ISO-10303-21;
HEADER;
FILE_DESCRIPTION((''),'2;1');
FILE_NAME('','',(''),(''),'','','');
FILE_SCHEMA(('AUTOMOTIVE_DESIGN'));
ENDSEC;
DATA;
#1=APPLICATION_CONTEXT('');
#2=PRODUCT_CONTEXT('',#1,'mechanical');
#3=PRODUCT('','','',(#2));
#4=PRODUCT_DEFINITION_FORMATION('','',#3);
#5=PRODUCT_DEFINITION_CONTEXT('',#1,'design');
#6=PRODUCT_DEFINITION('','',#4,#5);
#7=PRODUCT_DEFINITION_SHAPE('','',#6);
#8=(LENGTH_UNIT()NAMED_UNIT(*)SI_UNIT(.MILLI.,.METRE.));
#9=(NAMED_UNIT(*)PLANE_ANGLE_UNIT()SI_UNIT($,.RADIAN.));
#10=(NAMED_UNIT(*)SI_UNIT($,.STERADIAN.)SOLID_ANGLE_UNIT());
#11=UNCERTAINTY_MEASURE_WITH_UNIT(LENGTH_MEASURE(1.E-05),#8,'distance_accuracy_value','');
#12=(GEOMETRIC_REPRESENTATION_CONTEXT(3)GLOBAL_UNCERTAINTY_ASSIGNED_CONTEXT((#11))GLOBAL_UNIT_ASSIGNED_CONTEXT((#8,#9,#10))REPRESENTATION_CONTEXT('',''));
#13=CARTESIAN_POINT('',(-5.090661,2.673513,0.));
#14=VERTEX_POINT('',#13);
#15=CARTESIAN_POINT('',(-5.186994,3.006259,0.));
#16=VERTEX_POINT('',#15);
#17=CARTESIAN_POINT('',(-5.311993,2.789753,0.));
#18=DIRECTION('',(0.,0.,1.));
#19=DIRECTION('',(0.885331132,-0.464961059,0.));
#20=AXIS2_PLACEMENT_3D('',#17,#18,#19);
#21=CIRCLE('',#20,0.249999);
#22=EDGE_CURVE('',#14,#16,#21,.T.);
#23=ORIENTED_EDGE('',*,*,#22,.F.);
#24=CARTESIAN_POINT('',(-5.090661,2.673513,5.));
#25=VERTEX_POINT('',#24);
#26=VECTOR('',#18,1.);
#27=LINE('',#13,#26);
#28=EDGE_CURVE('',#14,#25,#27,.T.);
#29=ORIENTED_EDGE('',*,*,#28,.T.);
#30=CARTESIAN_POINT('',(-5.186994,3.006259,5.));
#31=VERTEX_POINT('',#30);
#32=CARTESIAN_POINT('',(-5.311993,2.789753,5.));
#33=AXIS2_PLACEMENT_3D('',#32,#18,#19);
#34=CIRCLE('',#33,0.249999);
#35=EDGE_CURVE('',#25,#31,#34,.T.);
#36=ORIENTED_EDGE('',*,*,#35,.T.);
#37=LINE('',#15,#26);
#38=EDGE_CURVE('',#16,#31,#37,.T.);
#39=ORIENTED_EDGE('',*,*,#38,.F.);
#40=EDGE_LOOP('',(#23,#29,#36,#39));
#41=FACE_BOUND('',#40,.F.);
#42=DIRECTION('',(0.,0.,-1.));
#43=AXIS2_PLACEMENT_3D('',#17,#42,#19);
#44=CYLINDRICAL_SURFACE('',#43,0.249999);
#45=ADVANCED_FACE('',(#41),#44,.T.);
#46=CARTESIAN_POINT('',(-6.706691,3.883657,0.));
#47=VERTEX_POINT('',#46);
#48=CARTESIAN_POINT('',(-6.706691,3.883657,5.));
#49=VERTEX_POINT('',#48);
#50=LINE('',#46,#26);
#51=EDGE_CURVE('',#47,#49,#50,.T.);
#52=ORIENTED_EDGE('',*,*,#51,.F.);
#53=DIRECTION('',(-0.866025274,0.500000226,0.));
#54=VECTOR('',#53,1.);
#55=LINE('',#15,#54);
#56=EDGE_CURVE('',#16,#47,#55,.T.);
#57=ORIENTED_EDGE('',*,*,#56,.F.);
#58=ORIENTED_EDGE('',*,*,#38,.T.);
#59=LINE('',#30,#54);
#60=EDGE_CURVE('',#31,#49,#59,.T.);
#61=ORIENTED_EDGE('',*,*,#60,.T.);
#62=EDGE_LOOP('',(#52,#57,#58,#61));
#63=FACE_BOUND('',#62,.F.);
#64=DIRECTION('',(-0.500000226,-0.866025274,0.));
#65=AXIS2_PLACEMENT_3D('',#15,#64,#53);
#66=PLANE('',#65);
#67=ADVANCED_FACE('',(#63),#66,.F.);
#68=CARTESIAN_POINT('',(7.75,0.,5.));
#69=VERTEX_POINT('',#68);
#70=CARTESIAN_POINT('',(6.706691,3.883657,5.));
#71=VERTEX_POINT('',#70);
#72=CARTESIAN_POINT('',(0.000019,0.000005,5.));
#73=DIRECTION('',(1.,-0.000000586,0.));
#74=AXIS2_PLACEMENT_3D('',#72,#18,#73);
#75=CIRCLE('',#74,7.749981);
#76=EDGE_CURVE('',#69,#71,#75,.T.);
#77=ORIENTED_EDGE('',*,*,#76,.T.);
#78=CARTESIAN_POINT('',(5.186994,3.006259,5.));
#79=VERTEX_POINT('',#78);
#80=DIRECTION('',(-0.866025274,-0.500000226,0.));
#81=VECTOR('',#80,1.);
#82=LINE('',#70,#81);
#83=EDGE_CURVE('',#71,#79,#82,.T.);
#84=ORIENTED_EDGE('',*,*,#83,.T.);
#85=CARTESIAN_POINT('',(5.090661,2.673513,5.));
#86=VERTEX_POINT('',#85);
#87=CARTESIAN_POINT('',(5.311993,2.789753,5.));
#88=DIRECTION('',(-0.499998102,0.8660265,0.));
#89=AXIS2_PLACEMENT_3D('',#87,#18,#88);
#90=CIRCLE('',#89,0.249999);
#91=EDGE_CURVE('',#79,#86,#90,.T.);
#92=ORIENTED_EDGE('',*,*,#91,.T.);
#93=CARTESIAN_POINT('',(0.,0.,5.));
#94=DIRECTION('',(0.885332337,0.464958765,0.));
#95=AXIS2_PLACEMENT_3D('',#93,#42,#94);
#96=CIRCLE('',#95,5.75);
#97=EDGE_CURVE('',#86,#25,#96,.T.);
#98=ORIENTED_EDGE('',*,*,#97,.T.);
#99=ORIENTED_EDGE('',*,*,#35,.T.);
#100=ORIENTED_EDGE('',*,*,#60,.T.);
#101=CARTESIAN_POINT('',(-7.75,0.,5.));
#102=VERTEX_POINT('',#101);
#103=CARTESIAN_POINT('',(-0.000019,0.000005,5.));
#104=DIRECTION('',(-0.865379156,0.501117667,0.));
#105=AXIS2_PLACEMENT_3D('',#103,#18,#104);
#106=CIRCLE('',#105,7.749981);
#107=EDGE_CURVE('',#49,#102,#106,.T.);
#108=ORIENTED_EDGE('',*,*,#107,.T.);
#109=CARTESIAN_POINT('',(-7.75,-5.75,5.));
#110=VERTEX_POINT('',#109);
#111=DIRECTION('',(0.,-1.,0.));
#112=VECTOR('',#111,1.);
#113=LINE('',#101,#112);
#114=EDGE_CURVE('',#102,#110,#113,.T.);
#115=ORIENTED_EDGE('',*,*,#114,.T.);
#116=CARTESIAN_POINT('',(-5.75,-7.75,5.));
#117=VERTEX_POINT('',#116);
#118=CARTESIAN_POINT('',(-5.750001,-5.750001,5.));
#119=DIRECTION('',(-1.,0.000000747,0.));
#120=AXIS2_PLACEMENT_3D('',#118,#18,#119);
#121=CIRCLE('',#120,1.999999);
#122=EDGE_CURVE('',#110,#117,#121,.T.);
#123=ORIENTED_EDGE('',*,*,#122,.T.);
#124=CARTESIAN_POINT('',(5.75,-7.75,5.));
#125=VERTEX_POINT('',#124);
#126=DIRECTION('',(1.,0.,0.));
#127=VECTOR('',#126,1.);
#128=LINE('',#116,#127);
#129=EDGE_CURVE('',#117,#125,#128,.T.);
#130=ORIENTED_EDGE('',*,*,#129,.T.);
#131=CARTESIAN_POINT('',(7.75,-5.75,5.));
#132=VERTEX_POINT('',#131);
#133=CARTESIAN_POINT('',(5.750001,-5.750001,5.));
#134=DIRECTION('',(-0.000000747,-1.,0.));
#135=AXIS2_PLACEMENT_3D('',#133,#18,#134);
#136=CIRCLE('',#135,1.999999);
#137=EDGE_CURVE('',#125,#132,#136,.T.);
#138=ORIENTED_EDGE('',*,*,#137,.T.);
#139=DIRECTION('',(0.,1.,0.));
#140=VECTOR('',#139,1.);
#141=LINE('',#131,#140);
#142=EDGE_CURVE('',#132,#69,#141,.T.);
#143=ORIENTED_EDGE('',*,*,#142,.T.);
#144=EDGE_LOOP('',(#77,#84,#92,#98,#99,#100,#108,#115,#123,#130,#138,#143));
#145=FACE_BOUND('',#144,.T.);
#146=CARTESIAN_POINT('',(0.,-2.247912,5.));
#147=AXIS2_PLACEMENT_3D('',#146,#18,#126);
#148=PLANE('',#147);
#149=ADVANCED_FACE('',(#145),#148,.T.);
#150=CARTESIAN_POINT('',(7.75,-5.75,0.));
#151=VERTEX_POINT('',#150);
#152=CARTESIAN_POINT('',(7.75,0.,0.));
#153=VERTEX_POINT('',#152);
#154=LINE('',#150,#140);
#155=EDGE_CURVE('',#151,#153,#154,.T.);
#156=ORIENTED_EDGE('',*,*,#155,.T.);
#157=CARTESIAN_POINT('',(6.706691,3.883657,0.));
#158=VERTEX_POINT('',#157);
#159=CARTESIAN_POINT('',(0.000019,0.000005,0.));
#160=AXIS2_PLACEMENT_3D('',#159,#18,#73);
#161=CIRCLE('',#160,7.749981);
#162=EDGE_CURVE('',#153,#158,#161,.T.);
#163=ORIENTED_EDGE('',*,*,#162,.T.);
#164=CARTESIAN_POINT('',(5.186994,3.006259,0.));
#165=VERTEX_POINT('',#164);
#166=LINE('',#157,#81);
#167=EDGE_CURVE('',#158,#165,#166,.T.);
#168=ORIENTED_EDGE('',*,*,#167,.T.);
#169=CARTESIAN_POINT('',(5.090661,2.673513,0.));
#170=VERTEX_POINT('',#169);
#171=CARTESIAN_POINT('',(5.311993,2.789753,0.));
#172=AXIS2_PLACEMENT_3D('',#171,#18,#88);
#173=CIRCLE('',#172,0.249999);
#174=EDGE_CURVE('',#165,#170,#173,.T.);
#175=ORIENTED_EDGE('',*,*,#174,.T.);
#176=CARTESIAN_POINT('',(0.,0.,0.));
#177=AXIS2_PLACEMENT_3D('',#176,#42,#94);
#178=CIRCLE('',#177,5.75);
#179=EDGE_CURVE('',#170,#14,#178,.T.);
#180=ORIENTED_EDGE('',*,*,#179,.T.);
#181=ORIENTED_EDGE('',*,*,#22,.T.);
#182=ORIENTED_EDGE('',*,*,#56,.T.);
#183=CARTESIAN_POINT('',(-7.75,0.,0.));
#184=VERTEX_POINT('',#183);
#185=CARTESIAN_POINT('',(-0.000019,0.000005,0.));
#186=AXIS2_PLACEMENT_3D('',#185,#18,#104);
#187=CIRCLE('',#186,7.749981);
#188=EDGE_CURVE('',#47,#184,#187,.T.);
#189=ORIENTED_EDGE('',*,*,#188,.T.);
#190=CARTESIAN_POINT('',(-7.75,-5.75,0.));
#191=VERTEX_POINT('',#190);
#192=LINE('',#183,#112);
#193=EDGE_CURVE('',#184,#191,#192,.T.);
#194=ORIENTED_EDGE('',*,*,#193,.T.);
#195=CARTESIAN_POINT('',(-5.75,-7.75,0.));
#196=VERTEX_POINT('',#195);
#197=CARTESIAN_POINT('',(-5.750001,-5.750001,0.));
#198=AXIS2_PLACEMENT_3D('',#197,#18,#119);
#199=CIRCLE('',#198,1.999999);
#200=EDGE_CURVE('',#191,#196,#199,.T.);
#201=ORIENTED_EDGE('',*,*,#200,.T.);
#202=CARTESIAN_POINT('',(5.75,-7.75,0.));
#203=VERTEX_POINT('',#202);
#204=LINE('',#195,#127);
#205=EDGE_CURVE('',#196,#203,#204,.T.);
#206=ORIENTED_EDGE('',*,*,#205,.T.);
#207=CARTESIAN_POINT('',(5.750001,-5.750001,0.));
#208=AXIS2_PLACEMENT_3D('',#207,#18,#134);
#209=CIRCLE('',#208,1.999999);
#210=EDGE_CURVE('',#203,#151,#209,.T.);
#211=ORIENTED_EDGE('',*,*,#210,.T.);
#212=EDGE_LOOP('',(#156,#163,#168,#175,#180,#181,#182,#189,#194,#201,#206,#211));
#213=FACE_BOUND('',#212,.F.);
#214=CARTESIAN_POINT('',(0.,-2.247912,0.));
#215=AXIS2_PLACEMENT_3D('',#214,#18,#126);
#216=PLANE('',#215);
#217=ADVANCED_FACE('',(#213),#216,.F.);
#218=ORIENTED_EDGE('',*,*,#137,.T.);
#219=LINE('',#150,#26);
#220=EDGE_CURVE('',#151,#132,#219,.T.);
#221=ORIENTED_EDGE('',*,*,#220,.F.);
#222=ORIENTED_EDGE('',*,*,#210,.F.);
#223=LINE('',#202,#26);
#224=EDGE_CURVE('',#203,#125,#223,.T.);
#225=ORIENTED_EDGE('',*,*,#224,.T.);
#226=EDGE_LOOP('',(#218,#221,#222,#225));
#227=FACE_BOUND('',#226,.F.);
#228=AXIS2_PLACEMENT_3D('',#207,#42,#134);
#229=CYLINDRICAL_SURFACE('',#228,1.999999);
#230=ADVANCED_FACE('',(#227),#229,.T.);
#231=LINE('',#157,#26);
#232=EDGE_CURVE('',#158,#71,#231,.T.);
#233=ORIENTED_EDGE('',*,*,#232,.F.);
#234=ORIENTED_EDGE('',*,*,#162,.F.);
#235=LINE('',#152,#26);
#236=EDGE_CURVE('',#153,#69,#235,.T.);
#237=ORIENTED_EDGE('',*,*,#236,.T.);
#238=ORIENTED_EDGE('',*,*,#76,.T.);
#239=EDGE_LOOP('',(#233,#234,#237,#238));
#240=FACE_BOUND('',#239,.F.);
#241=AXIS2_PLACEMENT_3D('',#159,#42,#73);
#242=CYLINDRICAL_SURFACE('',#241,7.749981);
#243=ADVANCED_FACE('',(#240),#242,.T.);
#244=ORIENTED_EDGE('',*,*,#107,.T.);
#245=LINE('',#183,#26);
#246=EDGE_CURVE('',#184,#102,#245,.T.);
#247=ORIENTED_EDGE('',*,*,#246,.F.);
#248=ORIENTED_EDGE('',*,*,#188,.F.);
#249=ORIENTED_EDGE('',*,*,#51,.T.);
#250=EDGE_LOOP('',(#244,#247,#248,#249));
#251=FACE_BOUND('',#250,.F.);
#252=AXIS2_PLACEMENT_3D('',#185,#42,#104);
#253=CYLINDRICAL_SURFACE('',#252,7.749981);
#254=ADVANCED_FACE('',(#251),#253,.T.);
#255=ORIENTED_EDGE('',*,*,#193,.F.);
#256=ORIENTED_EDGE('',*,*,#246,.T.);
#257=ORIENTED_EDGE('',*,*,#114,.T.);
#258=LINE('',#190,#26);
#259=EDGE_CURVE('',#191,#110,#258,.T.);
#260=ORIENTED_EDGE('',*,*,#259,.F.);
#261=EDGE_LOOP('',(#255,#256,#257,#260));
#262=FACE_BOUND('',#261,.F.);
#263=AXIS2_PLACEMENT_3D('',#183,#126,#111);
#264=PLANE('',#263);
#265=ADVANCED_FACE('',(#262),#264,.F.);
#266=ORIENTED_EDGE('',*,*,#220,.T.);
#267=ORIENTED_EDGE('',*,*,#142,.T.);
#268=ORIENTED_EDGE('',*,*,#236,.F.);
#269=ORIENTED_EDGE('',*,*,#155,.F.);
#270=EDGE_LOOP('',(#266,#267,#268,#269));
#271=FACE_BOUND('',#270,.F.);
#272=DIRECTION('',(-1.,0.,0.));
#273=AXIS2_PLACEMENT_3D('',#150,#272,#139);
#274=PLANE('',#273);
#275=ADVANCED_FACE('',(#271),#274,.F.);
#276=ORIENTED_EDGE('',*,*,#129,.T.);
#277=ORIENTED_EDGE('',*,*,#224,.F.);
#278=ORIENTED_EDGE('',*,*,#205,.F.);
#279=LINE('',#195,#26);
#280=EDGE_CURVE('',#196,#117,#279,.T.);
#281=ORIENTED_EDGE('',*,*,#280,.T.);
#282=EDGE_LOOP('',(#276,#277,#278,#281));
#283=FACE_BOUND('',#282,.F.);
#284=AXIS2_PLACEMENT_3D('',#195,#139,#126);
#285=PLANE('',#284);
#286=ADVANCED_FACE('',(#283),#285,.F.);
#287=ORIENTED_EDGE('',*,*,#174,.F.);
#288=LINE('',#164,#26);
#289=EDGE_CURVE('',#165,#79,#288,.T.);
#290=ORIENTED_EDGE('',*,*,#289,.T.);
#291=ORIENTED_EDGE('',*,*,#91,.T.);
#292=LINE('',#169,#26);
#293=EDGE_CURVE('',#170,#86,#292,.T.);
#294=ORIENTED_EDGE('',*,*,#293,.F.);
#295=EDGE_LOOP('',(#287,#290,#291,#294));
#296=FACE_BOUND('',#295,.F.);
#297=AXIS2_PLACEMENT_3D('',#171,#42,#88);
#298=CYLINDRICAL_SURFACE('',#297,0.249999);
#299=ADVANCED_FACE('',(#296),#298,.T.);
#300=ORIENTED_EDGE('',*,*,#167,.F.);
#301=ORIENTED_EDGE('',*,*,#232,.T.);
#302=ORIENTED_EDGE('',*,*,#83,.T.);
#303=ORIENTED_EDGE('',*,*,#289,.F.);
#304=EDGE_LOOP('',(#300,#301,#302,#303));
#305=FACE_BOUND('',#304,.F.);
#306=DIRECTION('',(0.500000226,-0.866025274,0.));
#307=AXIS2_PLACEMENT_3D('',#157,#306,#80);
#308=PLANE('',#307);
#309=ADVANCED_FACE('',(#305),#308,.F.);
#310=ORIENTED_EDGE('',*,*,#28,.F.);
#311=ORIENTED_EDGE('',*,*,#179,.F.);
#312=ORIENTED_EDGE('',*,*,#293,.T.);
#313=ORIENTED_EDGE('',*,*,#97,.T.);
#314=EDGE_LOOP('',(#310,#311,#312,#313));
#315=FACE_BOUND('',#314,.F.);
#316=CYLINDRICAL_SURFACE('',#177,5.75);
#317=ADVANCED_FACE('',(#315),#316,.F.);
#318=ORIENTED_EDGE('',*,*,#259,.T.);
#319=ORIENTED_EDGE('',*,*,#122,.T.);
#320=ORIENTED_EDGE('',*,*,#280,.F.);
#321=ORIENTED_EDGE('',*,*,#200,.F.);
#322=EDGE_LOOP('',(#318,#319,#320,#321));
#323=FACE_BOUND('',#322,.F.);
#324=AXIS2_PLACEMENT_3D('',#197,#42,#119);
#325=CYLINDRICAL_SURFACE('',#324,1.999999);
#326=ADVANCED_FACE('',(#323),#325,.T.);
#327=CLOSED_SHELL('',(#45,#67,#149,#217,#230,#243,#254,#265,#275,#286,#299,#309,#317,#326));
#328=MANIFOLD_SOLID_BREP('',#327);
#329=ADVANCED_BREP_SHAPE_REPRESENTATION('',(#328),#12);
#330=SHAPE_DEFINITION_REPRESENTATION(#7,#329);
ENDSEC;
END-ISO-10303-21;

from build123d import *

# Parameters (mm, degrees)
F1_DEPTH = 5


with BuildPart() as f1:
    # F0 (on Top) → F1 (new body)
    with BuildSketch(Plane.XY):
        with BuildLine():
            ThreePointArc((5.090661, 2.673513), (0, -5.75), (-5.090661, 2.673513))
            ThreePointArc((-5.090661, 2.673513), (-5.071855, 2.859275), (-5.186994, 3.006259))
            Line((-5.186994, 3.006259), (-6.706691, 3.883657))
            ThreePointArc((-6.706691, 3.883657), (-7.48463, 2.010677), (-7.75, 0))
            ThreePointArc((-7.75, 0), (-5.480078, -5.480078), (0, -7.75))
            ThreePointArc((0, -7.75), (5.480078, -5.480078), (7.75, 0))
            ThreePointArc((7.75, 0), (7.48463, 2.010677), (6.706691, 3.883657))
            Line((6.706691, 3.883657), (5.186994, 3.006259))
            ThreePointArc((5.186994, 3.006259), (5.071855, 2.859275), (5.090661, 2.673513))
        make_face()
        with BuildLine():
            ThreePointArc((0, -7.75), (-5.480078, -5.480078), (-7.75, 0))
            Line((-7.75, 0), (-7.75, -5.75))
            ThreePointArc((-7.75, -5.75), (-7.164214, -7.164214), (-5.75, -7.75))
            Line((-5.75, -7.75), (0, -7.75))
        make_face()
        with BuildLine():
            Line((7.75, -5.75), (7.75, 0))
            ThreePointArc((7.75, 0), (5.480078, -5.480078), (0, -7.75))
            Line((0, -7.75), (5.75, -7.75))
            ThreePointArc((5.75, -7.75), (7.164214, -7.164214), (7.75, -5.75))
        make_face()
    extrude(amount=F1_DEPTH)


solid = f1.part
